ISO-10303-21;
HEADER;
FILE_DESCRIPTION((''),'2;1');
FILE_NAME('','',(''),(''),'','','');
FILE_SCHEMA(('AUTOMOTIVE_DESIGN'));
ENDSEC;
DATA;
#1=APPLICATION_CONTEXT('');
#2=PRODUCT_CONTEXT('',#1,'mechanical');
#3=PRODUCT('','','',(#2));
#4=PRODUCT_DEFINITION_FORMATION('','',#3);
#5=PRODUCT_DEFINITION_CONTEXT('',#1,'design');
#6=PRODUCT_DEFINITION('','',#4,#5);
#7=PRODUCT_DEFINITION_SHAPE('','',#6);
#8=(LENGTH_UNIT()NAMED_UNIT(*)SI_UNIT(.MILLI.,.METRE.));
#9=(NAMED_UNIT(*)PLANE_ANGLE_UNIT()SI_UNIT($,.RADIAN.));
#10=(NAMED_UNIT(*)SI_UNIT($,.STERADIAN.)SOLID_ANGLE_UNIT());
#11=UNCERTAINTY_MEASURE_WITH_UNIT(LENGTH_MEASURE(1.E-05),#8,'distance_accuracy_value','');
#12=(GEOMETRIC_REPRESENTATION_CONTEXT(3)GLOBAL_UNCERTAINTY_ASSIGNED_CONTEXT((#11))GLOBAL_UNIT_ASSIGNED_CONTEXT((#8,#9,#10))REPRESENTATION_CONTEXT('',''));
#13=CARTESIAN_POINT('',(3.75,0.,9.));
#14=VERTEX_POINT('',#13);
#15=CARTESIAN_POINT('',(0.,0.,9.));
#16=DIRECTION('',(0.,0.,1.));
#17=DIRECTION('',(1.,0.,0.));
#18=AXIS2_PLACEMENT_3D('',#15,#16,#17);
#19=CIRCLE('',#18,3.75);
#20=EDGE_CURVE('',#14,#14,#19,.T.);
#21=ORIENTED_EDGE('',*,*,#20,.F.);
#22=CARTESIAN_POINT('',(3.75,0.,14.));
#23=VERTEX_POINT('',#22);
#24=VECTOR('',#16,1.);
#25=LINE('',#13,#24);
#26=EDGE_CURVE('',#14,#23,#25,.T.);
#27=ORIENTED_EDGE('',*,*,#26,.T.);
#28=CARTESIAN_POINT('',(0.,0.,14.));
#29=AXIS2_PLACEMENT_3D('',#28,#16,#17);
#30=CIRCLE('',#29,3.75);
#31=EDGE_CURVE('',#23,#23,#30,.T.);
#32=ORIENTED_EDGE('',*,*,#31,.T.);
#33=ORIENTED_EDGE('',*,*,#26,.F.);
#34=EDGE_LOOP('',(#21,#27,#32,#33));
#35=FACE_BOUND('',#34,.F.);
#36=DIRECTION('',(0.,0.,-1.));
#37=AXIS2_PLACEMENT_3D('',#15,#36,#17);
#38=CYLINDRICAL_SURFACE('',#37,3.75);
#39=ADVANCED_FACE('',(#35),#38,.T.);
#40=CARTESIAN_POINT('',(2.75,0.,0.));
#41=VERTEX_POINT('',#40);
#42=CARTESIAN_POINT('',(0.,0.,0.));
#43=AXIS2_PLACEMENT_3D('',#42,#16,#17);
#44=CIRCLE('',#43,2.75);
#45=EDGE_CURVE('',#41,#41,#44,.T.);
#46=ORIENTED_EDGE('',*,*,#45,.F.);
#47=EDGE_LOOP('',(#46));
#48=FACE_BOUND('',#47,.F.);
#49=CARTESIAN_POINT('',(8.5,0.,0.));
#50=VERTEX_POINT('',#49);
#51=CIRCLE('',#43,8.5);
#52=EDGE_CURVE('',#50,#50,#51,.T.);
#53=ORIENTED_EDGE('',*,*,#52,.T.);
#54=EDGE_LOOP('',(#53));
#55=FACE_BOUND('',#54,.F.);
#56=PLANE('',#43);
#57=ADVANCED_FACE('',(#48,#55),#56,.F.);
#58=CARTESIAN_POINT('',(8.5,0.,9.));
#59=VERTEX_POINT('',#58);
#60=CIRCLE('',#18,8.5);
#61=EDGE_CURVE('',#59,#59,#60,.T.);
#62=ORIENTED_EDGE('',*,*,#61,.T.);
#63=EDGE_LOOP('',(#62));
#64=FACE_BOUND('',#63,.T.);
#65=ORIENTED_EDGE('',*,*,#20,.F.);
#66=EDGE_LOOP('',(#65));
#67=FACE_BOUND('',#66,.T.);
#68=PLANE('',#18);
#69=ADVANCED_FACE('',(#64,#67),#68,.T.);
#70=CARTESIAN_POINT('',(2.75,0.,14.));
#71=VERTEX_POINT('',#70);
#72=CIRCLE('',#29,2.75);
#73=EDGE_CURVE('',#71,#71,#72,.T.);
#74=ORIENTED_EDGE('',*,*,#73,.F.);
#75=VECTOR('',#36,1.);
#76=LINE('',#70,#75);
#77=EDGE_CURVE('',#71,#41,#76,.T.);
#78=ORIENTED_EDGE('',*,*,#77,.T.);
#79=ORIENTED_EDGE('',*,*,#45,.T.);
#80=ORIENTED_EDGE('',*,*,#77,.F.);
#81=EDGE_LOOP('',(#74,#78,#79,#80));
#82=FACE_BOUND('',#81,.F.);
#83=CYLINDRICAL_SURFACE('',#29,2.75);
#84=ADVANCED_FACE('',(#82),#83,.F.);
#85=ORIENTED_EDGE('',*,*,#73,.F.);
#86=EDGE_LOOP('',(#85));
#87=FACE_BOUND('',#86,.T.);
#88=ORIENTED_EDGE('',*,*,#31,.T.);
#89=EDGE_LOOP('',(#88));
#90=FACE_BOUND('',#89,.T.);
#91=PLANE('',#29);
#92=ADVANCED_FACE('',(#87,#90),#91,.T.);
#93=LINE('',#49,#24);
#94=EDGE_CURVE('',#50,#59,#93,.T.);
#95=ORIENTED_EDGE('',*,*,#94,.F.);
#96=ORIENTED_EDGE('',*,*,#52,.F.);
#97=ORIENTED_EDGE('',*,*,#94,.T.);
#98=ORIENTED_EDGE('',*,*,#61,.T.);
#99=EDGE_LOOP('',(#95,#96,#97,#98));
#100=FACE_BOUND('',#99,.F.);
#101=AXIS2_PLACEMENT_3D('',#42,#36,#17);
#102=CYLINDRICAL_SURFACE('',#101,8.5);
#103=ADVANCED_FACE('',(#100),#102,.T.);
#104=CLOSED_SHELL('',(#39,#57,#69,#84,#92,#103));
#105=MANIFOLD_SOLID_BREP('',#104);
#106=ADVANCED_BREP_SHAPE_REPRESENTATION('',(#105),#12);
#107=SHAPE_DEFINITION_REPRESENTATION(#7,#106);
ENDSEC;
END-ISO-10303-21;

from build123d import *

# Parameters (mm, degrees)
SKETCH_R     = 8.5
PAD_DEPTH    = 9
SKETCH001_R  = 3.75
PAD001_DEPTH = 5
SKETCH002_R  = 2.75
POCKET_DEPTH = 14.001


with BuildPart() as part:
    # Sketch → Pad (new body)
    with BuildSketch(Plane.XY):
        Circle(SKETCH_R)
    extrude(amount=PAD_DEPTH)

    # Sketch001 (on Face3 of Pad) → Pad001 (join)
    with BuildSketch(Plane.XY.offset(9)):
        Circle(SKETCH001_R)
    extrude(amount=PAD001_DEPTH)

    # Sketch002 (on Face5 of Pad001) → Pocket (cut, through all)
    with BuildSketch(Plane.XY.offset(14)):
        Circle(SKETCH002_R)
    extrude(amount=-POCKET_DEPTH, mode=Mode.SUBTRACT)


solid = part.part
